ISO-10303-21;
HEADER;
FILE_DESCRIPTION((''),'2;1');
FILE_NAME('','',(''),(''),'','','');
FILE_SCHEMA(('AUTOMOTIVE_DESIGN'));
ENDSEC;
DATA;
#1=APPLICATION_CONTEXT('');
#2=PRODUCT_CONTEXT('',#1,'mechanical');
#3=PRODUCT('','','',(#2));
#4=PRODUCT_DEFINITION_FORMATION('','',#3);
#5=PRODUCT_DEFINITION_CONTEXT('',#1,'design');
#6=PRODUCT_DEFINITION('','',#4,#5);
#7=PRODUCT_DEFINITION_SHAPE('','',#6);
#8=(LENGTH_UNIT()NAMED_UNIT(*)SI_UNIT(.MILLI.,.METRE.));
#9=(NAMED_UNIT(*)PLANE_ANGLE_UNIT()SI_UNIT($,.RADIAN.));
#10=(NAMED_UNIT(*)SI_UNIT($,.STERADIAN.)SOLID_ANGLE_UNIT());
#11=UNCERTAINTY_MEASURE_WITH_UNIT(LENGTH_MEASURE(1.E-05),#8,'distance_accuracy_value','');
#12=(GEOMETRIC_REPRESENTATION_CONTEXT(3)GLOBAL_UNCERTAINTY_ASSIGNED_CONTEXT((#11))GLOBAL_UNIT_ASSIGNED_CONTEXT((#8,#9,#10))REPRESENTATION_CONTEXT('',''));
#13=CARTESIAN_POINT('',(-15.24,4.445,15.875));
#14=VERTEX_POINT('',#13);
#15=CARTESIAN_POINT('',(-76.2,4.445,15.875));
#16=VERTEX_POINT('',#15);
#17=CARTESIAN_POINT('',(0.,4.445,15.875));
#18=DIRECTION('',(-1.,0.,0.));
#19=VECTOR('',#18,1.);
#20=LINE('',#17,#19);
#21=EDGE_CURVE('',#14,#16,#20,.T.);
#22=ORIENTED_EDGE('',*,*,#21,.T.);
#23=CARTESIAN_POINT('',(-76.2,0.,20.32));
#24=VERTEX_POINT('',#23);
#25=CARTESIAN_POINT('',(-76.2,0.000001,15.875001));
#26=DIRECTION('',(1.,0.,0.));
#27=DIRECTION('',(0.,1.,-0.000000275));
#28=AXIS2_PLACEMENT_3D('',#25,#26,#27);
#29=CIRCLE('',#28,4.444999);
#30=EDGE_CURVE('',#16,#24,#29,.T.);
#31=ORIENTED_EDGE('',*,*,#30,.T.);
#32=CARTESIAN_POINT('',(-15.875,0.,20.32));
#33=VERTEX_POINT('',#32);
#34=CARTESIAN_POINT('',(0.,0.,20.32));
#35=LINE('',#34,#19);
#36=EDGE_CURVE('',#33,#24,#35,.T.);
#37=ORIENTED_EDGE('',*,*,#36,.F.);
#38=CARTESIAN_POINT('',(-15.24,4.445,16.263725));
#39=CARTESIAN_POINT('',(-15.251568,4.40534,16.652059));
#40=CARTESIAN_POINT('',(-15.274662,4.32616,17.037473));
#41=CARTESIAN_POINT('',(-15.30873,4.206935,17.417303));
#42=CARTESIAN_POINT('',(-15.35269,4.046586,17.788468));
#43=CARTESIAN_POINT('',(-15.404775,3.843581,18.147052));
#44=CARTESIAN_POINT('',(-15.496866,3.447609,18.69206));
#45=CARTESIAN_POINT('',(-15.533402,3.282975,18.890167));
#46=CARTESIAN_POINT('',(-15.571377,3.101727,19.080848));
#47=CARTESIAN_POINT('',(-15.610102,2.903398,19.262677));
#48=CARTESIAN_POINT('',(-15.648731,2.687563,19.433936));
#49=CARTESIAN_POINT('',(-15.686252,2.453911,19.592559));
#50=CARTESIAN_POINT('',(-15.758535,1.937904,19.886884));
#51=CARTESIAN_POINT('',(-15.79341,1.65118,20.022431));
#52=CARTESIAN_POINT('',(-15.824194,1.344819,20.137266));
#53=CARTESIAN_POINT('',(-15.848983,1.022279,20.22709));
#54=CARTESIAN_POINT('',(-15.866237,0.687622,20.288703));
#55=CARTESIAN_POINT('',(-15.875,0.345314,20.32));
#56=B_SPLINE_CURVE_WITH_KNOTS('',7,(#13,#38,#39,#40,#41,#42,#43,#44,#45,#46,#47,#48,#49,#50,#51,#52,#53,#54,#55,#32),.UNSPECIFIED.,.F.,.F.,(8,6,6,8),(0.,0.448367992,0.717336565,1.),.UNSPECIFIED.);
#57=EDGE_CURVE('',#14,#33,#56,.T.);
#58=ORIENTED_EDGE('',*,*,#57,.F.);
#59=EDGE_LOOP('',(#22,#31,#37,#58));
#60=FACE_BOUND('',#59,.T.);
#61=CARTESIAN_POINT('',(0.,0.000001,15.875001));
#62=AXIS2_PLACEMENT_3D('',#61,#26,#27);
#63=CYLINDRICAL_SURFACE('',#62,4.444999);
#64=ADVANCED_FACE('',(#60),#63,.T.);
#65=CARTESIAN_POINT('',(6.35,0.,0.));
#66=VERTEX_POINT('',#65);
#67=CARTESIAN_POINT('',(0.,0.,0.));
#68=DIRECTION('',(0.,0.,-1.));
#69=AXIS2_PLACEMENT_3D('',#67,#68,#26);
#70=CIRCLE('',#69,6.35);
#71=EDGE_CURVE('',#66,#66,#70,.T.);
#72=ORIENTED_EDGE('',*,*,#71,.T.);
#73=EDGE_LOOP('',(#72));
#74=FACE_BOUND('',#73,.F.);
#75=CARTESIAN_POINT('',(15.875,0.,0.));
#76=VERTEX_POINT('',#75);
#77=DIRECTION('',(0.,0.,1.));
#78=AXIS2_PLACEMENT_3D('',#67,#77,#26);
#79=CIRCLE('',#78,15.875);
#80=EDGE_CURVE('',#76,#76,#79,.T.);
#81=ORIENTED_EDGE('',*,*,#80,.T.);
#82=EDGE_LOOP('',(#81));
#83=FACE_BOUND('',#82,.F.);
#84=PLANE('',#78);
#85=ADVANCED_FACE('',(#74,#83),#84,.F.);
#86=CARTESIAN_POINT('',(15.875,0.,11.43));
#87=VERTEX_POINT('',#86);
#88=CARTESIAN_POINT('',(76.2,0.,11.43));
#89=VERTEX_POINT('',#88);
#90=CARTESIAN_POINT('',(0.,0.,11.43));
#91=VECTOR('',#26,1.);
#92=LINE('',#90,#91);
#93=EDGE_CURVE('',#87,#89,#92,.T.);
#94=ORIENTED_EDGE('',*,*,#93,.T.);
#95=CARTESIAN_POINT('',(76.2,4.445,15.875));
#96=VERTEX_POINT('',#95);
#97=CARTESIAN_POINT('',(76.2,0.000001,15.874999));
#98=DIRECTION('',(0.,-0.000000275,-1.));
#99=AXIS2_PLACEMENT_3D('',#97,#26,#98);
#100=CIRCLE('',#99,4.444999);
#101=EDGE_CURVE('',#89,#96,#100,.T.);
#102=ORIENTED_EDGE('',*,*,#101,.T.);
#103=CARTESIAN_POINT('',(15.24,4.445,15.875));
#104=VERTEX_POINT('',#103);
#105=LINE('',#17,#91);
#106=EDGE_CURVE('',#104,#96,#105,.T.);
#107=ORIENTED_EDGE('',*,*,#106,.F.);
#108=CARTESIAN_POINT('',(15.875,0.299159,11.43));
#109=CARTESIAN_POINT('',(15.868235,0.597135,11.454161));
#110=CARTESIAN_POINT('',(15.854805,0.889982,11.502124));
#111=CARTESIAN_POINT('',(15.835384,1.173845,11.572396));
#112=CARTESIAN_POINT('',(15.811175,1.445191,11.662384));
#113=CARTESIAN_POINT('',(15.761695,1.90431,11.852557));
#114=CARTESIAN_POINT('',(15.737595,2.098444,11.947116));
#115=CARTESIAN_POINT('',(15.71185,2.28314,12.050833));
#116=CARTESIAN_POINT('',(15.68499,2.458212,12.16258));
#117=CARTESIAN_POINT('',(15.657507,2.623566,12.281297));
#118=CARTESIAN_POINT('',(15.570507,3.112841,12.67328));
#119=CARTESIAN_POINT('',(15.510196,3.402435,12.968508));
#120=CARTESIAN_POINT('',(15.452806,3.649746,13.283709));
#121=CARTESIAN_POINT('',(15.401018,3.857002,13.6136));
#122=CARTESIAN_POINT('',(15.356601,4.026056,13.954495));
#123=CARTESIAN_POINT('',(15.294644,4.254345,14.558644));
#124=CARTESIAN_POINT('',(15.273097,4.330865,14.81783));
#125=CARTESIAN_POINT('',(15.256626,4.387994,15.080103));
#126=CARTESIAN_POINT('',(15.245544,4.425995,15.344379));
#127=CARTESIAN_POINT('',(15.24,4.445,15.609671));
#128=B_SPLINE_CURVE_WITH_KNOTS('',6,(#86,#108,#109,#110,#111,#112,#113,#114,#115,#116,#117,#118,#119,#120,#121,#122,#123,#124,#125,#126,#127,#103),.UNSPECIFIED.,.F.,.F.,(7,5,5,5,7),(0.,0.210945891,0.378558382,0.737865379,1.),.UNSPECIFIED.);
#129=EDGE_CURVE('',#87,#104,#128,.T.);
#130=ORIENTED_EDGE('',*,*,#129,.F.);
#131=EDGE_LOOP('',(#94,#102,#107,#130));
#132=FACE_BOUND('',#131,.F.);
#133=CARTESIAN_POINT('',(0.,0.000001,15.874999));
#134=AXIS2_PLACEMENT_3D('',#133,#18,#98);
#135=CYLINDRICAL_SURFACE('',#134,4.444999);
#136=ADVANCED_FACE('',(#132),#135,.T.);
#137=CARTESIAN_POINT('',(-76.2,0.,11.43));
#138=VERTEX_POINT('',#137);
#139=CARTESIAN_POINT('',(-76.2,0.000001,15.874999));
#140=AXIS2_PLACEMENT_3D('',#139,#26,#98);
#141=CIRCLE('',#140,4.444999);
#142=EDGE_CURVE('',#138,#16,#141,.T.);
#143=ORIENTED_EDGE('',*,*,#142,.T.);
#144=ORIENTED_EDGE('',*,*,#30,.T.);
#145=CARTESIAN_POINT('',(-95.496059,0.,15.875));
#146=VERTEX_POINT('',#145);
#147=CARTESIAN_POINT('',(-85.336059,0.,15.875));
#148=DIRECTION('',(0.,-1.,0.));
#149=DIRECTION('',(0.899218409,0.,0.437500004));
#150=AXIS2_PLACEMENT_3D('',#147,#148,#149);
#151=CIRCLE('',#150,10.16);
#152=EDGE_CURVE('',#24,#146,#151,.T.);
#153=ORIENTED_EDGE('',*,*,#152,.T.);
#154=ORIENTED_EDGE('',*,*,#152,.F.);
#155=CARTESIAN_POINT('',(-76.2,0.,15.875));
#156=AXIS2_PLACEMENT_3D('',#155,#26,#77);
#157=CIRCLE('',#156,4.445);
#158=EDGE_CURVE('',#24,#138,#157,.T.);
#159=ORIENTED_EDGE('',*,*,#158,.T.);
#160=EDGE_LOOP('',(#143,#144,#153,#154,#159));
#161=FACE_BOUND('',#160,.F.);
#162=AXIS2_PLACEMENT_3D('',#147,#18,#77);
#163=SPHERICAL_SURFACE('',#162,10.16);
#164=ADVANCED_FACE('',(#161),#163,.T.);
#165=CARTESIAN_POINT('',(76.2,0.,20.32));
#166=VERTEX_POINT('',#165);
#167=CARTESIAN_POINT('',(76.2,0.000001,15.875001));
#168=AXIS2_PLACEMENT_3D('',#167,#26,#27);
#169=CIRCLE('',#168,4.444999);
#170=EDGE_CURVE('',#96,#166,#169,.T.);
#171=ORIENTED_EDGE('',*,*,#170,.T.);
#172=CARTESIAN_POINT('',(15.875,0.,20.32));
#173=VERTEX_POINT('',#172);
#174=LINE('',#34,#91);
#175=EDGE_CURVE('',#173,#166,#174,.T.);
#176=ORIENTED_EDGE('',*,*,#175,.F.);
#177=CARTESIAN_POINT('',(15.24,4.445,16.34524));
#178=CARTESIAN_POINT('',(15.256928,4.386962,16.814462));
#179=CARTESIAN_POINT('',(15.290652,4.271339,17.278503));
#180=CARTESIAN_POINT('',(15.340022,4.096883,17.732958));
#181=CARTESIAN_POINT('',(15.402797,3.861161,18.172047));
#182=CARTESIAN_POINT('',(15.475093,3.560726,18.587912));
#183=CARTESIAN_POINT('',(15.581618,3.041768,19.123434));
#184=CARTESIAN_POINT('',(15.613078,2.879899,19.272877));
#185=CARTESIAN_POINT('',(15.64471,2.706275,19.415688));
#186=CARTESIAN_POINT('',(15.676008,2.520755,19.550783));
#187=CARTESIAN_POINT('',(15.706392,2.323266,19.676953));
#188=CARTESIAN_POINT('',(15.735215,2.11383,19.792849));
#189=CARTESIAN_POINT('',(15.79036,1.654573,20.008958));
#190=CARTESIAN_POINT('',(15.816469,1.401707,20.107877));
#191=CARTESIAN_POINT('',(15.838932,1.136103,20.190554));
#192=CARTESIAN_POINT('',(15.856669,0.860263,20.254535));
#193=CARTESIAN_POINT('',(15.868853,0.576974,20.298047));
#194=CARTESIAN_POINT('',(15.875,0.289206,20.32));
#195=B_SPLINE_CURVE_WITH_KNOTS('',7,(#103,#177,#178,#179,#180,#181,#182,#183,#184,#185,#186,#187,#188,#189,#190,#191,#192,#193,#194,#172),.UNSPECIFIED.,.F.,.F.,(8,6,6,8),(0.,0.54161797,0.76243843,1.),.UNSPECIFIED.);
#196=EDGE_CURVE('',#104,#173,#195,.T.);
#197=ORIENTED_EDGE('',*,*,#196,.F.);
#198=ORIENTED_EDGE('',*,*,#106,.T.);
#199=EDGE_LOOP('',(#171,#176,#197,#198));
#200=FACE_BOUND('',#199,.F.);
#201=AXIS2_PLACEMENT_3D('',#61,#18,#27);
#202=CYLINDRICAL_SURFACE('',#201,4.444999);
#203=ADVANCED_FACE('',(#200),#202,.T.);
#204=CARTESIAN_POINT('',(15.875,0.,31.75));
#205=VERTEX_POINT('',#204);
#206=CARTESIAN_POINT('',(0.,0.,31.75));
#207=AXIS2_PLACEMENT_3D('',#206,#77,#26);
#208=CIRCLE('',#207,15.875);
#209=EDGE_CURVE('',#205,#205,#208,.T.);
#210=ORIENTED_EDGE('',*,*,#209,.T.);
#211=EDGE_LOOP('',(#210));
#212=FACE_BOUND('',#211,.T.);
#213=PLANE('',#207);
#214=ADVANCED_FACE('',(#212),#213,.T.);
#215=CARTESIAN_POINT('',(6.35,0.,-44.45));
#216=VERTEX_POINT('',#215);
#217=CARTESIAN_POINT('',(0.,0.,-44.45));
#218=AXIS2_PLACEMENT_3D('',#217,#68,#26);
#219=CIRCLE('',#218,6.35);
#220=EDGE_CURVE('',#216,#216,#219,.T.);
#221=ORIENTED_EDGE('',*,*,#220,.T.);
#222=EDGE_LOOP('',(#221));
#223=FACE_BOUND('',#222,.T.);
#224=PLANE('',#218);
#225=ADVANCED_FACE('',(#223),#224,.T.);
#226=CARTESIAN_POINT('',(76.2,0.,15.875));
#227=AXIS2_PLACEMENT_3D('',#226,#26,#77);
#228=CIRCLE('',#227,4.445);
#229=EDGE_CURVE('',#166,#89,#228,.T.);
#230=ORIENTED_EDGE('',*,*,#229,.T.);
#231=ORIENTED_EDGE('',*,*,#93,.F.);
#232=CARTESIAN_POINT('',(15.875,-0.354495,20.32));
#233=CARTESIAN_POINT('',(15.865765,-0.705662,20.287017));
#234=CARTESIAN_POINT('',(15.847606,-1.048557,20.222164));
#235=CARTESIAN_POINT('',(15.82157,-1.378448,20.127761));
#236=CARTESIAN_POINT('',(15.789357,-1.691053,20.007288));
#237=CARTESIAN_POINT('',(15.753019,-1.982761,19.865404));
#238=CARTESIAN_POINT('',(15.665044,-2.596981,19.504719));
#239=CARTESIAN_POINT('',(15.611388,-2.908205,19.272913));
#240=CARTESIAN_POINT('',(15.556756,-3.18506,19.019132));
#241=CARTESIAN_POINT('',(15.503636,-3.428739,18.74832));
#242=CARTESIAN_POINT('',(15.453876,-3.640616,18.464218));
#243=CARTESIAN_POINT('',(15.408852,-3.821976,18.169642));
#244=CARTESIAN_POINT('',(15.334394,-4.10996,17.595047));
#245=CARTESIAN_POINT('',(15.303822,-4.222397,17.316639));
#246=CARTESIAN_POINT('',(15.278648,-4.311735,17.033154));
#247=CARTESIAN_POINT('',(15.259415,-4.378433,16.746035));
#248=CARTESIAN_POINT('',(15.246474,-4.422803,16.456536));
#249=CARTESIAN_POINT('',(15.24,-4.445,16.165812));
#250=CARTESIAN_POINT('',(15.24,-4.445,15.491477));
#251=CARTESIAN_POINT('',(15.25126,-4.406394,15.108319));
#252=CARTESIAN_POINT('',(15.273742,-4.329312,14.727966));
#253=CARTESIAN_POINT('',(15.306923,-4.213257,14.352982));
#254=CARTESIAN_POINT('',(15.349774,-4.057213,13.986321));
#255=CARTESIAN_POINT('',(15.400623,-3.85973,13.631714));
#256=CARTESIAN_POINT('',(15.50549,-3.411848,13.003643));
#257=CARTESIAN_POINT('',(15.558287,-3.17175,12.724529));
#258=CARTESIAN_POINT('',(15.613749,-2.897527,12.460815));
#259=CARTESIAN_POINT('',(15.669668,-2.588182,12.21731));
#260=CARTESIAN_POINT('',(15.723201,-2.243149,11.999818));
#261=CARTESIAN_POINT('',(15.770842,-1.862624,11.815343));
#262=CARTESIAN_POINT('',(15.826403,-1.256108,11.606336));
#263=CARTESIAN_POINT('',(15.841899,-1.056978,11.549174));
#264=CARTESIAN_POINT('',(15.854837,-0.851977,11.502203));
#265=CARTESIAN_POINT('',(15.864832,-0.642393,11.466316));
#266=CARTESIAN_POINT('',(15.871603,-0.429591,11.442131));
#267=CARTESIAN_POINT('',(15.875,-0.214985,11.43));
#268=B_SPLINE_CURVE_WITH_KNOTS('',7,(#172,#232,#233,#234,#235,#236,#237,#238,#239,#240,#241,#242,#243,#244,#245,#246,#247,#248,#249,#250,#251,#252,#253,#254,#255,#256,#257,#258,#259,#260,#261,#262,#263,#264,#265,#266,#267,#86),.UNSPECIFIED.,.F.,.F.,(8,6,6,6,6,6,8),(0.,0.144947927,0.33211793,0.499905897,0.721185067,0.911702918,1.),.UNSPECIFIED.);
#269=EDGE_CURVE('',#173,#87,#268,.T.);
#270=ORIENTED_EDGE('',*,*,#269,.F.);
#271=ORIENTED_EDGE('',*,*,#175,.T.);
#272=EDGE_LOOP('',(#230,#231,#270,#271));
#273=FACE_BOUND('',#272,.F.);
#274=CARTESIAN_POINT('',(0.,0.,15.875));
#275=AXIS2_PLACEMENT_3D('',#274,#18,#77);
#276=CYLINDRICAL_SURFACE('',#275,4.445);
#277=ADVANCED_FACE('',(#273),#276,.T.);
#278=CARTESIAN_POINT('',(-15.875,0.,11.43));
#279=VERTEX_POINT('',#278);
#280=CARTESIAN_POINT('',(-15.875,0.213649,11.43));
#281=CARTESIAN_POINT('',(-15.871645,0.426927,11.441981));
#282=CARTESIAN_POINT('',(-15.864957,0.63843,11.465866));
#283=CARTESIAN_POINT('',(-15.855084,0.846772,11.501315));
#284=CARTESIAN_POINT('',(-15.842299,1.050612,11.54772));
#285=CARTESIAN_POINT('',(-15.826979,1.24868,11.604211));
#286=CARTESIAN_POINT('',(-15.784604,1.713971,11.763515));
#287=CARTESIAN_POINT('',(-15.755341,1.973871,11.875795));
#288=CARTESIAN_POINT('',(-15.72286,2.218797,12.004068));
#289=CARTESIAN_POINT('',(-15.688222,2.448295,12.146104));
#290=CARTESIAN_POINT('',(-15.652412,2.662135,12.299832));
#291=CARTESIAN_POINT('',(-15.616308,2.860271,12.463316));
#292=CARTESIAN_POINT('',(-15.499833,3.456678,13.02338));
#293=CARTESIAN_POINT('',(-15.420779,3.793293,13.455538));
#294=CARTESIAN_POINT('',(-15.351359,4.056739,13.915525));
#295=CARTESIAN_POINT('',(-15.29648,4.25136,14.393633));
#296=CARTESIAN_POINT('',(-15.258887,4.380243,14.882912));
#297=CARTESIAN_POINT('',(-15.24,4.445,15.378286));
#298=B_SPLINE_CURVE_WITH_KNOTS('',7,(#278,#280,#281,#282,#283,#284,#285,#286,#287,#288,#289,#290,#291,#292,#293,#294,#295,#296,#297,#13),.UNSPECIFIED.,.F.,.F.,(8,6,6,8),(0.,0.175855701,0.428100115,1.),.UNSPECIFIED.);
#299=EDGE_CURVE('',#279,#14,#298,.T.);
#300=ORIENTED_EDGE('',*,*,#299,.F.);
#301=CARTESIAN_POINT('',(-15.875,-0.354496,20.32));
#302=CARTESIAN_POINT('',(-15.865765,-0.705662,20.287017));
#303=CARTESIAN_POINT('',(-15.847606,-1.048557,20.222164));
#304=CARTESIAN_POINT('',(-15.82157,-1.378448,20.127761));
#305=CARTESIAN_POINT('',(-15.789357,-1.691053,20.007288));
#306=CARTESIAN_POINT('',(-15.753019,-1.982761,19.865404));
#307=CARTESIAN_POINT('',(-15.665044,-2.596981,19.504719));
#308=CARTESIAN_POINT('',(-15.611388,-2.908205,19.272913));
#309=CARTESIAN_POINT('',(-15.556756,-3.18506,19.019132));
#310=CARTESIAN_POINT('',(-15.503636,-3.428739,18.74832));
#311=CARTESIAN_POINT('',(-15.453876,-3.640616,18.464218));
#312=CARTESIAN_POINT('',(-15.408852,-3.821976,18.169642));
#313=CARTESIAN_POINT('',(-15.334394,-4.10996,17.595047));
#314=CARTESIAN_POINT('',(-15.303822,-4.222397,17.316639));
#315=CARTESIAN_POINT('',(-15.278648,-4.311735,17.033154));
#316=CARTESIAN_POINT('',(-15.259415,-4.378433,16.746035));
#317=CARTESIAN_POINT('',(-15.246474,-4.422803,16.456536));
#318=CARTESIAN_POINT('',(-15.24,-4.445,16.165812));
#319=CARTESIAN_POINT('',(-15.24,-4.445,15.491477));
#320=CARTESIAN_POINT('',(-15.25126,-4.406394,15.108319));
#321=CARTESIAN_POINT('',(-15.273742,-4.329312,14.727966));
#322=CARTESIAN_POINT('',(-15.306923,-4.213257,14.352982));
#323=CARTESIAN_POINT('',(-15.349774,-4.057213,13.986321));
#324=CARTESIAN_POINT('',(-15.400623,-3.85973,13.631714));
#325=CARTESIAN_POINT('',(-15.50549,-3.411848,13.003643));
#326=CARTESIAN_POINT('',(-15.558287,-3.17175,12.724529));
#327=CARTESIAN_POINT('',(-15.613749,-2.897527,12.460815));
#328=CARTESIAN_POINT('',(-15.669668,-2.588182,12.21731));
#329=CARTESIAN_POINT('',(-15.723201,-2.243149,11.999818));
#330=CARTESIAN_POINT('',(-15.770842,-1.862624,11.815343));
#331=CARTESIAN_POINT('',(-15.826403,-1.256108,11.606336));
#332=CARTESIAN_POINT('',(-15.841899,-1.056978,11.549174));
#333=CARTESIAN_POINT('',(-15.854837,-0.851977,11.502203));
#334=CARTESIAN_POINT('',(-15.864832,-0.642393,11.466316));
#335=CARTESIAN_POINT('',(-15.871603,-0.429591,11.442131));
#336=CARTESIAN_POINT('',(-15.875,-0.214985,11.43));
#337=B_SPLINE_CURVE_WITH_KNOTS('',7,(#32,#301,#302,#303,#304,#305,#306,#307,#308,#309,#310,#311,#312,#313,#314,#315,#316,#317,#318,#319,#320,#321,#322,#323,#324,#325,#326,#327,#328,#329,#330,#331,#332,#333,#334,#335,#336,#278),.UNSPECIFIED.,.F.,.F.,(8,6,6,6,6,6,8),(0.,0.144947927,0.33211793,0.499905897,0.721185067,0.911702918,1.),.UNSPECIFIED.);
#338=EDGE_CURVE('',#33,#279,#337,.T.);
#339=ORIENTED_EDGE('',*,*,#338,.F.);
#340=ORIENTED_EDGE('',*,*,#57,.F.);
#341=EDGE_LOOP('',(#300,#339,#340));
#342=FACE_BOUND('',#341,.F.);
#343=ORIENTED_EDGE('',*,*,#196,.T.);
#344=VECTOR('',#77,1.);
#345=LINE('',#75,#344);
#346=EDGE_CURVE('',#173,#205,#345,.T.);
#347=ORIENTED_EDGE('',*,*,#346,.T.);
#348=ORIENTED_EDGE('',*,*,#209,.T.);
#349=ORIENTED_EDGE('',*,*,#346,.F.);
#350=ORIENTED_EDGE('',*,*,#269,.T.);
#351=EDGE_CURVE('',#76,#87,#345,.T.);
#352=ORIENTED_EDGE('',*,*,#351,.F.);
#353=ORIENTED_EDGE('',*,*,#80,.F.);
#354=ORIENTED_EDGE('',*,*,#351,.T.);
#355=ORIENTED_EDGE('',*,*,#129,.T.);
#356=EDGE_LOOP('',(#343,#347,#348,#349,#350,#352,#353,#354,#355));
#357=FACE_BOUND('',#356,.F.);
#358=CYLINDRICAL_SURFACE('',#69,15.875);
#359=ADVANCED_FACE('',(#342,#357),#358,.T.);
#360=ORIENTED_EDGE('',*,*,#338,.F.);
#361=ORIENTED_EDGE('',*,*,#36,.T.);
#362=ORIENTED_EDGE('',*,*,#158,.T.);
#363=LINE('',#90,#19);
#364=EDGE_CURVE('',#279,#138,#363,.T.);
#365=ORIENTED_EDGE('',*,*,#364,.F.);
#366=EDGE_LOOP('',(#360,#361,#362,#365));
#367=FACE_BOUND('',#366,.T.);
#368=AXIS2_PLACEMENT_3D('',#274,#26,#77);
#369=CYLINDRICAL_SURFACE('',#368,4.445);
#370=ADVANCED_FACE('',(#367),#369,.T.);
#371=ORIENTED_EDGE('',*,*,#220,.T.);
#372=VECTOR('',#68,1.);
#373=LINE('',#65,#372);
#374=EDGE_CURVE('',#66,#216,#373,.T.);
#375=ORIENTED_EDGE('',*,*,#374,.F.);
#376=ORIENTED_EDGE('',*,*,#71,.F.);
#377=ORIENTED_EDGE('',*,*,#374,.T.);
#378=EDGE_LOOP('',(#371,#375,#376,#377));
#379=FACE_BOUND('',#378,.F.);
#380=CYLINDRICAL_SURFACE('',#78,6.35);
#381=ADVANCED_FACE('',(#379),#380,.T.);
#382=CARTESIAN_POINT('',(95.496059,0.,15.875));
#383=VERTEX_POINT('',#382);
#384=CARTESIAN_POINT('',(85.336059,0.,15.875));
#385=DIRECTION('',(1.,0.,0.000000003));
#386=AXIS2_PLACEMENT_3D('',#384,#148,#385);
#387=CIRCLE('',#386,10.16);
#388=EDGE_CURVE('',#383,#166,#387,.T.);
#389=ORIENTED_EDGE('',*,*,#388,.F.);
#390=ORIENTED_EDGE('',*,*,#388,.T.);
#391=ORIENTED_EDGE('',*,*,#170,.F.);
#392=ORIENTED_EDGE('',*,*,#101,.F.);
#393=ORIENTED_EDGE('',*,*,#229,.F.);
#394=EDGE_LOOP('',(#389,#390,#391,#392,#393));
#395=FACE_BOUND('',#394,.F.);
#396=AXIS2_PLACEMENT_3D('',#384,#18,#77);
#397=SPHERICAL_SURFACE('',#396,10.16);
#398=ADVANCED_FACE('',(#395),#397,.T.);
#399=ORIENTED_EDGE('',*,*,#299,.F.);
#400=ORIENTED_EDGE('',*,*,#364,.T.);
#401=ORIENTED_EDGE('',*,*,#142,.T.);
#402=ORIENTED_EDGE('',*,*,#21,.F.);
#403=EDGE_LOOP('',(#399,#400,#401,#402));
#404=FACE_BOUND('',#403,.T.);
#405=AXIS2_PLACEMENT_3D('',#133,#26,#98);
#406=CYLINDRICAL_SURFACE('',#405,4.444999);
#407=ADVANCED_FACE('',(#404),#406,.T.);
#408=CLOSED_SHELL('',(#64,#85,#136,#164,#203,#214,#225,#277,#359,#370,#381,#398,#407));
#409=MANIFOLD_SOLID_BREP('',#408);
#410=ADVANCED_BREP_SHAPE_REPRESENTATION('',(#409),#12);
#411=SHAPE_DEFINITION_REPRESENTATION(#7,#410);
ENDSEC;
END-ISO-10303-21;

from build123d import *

# Parameters (mm, degrees)
F0_R          = 15.875
F1_DEPTH      = 31.75
F2_R          = 6.35
F3_DEPTH      = 44.45
F5_DEPTH      = 76.2
F5_DEPTH_BACK = 76.2


with BuildPart() as f1:
    # F0 (on Top) → F1 (new body)
    with BuildSketch(Plane.XY):
        Circle(F0_R)
    extrude(amount=F1_DEPTH)

    # F2 (on face) → F3 (join)
    with BuildSketch(Plane(origin=(0, 0, 0), x_dir=(1, 0, 0), z_dir=(0, 0, -1))):
        Circle(F2_R)
    extrude(amount=F3_DEPTH)

    # F4 (on Right) → F5 (join, two sides)
    with BuildSketch(Plane.YZ) as f5_sk:
        with BuildLine():
            ThreePointArc((0, 20.32), (-4.445, 15.875), (0, 11.43))
            Line((0, 11.43), (0, 20.32))
        make_face()
        with BuildLine():
            Line((0, 20.32), (0, 11.43))
            ThreePointArc((0, 11.43), (3.14309, 12.73191), (4.445, 15.875))
            ThreePointArc((4.445, 15.875), (3.14309, 19.01809), (0, 20.32))
        make_face()
    extrude(amount=F5_DEPTH)
    extrude(f5_sk.sketch, amount=-F5_DEPTH_BACK)

    # F6 (on Front) → F7 (revolve)
    with BuildSketch(Plane.XZ):
        with BuildLine():
            ThreePointArc((95.496059, 15.875), (87.616765, 25.775706), (76.2, 20.32))
            Line((76.2, 20.32), (76.2, 15.875))
            Line((76.2, 15.875), (95.496059, 15.875))
        make_face()
        with BuildLine():
            Line((-76.2, 15.875), (-76.2, 20.32))
            ThreePointArc((-76.2, 20.32), (-87.616765, 25.775706), (-95.496059, 15.875))
            Line((-95.496059, 15.875), (-76.2, 15.875))
        make_face()
    revolve(axis=Axis((48.289891, 0, 15.875), (1, 0, 0)))


solid = f1.part
